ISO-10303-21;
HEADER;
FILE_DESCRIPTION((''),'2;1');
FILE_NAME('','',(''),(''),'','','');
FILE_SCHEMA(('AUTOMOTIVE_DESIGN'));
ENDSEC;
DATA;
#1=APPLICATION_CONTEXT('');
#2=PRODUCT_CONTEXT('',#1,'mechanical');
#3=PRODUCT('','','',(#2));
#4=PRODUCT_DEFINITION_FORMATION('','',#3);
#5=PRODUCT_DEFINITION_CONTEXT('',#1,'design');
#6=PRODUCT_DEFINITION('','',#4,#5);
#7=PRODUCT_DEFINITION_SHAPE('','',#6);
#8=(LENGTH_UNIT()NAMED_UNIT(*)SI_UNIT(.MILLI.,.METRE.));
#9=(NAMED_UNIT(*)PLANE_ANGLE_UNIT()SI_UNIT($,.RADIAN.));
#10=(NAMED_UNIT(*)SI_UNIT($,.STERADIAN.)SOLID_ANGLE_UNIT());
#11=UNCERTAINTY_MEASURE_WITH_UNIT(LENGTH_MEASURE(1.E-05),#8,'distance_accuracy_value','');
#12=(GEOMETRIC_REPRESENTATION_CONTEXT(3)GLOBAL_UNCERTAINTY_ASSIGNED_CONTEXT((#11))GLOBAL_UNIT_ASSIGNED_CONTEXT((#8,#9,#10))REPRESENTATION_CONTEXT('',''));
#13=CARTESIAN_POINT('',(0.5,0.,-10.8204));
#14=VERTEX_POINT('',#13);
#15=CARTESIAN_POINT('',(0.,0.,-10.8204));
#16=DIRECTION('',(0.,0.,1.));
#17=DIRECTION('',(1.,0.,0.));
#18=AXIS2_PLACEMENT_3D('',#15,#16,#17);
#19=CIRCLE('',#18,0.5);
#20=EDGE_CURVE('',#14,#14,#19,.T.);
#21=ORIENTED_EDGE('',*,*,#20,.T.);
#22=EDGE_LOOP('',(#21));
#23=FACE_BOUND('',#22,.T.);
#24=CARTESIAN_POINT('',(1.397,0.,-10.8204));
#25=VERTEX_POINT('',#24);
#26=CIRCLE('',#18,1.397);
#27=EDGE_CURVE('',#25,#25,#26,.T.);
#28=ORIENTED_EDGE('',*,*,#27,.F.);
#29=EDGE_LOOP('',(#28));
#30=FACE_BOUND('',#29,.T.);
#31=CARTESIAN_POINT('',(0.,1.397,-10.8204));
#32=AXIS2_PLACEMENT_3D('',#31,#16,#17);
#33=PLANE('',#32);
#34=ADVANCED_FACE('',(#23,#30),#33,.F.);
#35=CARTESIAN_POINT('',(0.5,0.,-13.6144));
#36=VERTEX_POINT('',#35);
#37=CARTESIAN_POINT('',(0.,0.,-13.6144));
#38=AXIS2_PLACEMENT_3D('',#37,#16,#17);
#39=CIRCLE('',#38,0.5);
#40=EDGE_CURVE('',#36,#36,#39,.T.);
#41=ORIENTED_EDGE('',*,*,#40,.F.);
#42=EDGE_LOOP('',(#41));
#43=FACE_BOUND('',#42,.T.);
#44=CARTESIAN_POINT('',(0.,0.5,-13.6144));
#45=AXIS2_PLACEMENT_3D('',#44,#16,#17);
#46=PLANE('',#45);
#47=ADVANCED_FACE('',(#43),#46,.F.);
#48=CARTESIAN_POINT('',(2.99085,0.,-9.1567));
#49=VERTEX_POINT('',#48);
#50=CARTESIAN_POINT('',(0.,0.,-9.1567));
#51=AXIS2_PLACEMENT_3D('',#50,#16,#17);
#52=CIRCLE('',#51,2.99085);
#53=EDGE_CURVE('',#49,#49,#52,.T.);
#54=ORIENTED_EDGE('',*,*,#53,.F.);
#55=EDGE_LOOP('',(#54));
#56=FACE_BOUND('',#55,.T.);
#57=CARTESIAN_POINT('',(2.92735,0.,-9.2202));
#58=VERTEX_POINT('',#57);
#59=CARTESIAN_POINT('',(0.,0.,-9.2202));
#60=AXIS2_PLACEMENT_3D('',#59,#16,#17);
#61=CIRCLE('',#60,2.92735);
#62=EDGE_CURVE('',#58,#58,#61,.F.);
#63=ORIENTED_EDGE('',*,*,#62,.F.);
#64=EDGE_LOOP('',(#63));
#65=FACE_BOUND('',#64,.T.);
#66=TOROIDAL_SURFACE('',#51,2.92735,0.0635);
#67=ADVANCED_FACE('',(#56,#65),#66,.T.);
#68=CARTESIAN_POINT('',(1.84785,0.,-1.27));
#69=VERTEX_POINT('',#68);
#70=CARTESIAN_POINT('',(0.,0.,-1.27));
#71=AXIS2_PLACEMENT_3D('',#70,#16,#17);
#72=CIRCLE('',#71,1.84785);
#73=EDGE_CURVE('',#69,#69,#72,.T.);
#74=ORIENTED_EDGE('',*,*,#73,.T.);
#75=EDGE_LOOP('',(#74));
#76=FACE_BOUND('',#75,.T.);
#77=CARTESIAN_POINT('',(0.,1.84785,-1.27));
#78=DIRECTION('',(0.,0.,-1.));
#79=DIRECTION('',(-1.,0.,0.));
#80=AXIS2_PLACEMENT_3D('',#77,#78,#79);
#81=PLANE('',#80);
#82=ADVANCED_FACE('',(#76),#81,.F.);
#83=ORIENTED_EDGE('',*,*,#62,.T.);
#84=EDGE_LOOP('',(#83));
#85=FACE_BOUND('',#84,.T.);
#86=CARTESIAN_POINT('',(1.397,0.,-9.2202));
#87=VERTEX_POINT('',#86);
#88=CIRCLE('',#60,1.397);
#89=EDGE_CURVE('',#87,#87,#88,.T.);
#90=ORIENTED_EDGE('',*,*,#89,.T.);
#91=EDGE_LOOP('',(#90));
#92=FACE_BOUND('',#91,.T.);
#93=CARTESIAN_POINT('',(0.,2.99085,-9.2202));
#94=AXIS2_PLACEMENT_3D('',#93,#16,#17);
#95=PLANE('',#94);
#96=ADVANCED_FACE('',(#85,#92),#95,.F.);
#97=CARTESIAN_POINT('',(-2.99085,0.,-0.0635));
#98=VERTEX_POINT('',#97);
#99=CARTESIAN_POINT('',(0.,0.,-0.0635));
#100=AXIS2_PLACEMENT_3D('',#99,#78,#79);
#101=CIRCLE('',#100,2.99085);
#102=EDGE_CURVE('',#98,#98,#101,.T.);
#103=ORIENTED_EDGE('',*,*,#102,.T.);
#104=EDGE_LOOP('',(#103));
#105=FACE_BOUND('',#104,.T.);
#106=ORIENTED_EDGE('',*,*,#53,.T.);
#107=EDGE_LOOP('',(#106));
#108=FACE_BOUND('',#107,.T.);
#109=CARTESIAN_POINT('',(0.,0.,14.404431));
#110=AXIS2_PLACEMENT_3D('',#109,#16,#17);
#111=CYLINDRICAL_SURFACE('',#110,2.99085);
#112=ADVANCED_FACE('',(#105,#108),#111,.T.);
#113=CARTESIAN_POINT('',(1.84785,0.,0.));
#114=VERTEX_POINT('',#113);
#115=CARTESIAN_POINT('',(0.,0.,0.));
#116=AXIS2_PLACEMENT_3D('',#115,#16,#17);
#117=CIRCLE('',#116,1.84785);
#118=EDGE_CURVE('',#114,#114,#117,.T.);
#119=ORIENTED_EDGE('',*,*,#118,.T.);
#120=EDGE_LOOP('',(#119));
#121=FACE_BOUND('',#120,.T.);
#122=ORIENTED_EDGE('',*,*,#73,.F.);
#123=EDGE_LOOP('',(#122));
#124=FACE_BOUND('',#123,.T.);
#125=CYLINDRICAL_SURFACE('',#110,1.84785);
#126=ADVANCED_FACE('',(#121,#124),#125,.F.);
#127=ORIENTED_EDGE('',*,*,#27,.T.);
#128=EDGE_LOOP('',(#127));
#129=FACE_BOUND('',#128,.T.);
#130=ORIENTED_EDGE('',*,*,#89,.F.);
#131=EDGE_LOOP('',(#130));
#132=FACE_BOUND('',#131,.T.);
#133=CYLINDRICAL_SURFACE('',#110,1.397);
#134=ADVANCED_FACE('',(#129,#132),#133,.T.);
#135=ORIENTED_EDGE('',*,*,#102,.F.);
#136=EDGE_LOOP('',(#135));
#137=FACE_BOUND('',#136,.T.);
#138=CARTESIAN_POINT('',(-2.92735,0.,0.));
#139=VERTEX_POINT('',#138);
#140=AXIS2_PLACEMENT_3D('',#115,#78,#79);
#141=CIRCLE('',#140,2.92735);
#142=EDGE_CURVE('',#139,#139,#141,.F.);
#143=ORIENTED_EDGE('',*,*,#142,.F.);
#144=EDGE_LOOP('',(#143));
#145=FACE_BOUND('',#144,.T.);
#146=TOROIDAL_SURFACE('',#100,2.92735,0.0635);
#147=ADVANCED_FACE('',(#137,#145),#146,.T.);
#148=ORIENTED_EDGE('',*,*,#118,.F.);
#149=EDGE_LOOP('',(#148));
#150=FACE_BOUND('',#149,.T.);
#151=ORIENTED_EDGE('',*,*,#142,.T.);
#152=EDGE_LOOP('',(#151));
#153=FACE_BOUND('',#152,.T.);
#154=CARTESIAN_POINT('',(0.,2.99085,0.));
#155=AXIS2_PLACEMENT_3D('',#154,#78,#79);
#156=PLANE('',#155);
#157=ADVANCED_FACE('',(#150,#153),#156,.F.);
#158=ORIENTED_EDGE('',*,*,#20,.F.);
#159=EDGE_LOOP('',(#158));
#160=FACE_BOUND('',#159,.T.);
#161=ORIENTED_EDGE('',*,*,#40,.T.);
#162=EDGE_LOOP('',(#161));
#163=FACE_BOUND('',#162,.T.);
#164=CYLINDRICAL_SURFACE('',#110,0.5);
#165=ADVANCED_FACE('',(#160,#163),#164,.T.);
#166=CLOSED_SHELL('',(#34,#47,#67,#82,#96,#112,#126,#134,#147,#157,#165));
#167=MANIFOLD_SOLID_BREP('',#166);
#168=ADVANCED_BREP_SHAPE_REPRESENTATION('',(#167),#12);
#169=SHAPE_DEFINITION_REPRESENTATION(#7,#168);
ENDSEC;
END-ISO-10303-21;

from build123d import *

# Parameters (mm, degrees)
FILLET1_R = 0.0635


with BuildPart() as part:
    # Sketch1 → Revolve1 (revolve)
    with BuildSketch(Plane(origin=(0, 0, 0), x_dir=(0, 0, -1), z_dir=(1, 0, 0))):
        Polygon((0, 2.99085), (9.2202, 2.99085), (9.2202, 1.397), (10.8204, 1.397), (10.8204, 0.5), (13.6144, 0.5), (13.6144, 0), (1.27, 0), (1.27, 1.84785), (0, 1.84785), align=None)
    revolve(axis=Axis((0, 0, 14.404430618), (0, 0, -1)))

    # Fillet1
    fillet1_edges = [part.edges().sort_by_distance(p)[0] for p in [
        (0, -2.99085, 0),
        (0, -2.99085, -9.2202),
    ]]
    fillet(fillet1_edges, radius=FILLET1_R)


solid = part.part
